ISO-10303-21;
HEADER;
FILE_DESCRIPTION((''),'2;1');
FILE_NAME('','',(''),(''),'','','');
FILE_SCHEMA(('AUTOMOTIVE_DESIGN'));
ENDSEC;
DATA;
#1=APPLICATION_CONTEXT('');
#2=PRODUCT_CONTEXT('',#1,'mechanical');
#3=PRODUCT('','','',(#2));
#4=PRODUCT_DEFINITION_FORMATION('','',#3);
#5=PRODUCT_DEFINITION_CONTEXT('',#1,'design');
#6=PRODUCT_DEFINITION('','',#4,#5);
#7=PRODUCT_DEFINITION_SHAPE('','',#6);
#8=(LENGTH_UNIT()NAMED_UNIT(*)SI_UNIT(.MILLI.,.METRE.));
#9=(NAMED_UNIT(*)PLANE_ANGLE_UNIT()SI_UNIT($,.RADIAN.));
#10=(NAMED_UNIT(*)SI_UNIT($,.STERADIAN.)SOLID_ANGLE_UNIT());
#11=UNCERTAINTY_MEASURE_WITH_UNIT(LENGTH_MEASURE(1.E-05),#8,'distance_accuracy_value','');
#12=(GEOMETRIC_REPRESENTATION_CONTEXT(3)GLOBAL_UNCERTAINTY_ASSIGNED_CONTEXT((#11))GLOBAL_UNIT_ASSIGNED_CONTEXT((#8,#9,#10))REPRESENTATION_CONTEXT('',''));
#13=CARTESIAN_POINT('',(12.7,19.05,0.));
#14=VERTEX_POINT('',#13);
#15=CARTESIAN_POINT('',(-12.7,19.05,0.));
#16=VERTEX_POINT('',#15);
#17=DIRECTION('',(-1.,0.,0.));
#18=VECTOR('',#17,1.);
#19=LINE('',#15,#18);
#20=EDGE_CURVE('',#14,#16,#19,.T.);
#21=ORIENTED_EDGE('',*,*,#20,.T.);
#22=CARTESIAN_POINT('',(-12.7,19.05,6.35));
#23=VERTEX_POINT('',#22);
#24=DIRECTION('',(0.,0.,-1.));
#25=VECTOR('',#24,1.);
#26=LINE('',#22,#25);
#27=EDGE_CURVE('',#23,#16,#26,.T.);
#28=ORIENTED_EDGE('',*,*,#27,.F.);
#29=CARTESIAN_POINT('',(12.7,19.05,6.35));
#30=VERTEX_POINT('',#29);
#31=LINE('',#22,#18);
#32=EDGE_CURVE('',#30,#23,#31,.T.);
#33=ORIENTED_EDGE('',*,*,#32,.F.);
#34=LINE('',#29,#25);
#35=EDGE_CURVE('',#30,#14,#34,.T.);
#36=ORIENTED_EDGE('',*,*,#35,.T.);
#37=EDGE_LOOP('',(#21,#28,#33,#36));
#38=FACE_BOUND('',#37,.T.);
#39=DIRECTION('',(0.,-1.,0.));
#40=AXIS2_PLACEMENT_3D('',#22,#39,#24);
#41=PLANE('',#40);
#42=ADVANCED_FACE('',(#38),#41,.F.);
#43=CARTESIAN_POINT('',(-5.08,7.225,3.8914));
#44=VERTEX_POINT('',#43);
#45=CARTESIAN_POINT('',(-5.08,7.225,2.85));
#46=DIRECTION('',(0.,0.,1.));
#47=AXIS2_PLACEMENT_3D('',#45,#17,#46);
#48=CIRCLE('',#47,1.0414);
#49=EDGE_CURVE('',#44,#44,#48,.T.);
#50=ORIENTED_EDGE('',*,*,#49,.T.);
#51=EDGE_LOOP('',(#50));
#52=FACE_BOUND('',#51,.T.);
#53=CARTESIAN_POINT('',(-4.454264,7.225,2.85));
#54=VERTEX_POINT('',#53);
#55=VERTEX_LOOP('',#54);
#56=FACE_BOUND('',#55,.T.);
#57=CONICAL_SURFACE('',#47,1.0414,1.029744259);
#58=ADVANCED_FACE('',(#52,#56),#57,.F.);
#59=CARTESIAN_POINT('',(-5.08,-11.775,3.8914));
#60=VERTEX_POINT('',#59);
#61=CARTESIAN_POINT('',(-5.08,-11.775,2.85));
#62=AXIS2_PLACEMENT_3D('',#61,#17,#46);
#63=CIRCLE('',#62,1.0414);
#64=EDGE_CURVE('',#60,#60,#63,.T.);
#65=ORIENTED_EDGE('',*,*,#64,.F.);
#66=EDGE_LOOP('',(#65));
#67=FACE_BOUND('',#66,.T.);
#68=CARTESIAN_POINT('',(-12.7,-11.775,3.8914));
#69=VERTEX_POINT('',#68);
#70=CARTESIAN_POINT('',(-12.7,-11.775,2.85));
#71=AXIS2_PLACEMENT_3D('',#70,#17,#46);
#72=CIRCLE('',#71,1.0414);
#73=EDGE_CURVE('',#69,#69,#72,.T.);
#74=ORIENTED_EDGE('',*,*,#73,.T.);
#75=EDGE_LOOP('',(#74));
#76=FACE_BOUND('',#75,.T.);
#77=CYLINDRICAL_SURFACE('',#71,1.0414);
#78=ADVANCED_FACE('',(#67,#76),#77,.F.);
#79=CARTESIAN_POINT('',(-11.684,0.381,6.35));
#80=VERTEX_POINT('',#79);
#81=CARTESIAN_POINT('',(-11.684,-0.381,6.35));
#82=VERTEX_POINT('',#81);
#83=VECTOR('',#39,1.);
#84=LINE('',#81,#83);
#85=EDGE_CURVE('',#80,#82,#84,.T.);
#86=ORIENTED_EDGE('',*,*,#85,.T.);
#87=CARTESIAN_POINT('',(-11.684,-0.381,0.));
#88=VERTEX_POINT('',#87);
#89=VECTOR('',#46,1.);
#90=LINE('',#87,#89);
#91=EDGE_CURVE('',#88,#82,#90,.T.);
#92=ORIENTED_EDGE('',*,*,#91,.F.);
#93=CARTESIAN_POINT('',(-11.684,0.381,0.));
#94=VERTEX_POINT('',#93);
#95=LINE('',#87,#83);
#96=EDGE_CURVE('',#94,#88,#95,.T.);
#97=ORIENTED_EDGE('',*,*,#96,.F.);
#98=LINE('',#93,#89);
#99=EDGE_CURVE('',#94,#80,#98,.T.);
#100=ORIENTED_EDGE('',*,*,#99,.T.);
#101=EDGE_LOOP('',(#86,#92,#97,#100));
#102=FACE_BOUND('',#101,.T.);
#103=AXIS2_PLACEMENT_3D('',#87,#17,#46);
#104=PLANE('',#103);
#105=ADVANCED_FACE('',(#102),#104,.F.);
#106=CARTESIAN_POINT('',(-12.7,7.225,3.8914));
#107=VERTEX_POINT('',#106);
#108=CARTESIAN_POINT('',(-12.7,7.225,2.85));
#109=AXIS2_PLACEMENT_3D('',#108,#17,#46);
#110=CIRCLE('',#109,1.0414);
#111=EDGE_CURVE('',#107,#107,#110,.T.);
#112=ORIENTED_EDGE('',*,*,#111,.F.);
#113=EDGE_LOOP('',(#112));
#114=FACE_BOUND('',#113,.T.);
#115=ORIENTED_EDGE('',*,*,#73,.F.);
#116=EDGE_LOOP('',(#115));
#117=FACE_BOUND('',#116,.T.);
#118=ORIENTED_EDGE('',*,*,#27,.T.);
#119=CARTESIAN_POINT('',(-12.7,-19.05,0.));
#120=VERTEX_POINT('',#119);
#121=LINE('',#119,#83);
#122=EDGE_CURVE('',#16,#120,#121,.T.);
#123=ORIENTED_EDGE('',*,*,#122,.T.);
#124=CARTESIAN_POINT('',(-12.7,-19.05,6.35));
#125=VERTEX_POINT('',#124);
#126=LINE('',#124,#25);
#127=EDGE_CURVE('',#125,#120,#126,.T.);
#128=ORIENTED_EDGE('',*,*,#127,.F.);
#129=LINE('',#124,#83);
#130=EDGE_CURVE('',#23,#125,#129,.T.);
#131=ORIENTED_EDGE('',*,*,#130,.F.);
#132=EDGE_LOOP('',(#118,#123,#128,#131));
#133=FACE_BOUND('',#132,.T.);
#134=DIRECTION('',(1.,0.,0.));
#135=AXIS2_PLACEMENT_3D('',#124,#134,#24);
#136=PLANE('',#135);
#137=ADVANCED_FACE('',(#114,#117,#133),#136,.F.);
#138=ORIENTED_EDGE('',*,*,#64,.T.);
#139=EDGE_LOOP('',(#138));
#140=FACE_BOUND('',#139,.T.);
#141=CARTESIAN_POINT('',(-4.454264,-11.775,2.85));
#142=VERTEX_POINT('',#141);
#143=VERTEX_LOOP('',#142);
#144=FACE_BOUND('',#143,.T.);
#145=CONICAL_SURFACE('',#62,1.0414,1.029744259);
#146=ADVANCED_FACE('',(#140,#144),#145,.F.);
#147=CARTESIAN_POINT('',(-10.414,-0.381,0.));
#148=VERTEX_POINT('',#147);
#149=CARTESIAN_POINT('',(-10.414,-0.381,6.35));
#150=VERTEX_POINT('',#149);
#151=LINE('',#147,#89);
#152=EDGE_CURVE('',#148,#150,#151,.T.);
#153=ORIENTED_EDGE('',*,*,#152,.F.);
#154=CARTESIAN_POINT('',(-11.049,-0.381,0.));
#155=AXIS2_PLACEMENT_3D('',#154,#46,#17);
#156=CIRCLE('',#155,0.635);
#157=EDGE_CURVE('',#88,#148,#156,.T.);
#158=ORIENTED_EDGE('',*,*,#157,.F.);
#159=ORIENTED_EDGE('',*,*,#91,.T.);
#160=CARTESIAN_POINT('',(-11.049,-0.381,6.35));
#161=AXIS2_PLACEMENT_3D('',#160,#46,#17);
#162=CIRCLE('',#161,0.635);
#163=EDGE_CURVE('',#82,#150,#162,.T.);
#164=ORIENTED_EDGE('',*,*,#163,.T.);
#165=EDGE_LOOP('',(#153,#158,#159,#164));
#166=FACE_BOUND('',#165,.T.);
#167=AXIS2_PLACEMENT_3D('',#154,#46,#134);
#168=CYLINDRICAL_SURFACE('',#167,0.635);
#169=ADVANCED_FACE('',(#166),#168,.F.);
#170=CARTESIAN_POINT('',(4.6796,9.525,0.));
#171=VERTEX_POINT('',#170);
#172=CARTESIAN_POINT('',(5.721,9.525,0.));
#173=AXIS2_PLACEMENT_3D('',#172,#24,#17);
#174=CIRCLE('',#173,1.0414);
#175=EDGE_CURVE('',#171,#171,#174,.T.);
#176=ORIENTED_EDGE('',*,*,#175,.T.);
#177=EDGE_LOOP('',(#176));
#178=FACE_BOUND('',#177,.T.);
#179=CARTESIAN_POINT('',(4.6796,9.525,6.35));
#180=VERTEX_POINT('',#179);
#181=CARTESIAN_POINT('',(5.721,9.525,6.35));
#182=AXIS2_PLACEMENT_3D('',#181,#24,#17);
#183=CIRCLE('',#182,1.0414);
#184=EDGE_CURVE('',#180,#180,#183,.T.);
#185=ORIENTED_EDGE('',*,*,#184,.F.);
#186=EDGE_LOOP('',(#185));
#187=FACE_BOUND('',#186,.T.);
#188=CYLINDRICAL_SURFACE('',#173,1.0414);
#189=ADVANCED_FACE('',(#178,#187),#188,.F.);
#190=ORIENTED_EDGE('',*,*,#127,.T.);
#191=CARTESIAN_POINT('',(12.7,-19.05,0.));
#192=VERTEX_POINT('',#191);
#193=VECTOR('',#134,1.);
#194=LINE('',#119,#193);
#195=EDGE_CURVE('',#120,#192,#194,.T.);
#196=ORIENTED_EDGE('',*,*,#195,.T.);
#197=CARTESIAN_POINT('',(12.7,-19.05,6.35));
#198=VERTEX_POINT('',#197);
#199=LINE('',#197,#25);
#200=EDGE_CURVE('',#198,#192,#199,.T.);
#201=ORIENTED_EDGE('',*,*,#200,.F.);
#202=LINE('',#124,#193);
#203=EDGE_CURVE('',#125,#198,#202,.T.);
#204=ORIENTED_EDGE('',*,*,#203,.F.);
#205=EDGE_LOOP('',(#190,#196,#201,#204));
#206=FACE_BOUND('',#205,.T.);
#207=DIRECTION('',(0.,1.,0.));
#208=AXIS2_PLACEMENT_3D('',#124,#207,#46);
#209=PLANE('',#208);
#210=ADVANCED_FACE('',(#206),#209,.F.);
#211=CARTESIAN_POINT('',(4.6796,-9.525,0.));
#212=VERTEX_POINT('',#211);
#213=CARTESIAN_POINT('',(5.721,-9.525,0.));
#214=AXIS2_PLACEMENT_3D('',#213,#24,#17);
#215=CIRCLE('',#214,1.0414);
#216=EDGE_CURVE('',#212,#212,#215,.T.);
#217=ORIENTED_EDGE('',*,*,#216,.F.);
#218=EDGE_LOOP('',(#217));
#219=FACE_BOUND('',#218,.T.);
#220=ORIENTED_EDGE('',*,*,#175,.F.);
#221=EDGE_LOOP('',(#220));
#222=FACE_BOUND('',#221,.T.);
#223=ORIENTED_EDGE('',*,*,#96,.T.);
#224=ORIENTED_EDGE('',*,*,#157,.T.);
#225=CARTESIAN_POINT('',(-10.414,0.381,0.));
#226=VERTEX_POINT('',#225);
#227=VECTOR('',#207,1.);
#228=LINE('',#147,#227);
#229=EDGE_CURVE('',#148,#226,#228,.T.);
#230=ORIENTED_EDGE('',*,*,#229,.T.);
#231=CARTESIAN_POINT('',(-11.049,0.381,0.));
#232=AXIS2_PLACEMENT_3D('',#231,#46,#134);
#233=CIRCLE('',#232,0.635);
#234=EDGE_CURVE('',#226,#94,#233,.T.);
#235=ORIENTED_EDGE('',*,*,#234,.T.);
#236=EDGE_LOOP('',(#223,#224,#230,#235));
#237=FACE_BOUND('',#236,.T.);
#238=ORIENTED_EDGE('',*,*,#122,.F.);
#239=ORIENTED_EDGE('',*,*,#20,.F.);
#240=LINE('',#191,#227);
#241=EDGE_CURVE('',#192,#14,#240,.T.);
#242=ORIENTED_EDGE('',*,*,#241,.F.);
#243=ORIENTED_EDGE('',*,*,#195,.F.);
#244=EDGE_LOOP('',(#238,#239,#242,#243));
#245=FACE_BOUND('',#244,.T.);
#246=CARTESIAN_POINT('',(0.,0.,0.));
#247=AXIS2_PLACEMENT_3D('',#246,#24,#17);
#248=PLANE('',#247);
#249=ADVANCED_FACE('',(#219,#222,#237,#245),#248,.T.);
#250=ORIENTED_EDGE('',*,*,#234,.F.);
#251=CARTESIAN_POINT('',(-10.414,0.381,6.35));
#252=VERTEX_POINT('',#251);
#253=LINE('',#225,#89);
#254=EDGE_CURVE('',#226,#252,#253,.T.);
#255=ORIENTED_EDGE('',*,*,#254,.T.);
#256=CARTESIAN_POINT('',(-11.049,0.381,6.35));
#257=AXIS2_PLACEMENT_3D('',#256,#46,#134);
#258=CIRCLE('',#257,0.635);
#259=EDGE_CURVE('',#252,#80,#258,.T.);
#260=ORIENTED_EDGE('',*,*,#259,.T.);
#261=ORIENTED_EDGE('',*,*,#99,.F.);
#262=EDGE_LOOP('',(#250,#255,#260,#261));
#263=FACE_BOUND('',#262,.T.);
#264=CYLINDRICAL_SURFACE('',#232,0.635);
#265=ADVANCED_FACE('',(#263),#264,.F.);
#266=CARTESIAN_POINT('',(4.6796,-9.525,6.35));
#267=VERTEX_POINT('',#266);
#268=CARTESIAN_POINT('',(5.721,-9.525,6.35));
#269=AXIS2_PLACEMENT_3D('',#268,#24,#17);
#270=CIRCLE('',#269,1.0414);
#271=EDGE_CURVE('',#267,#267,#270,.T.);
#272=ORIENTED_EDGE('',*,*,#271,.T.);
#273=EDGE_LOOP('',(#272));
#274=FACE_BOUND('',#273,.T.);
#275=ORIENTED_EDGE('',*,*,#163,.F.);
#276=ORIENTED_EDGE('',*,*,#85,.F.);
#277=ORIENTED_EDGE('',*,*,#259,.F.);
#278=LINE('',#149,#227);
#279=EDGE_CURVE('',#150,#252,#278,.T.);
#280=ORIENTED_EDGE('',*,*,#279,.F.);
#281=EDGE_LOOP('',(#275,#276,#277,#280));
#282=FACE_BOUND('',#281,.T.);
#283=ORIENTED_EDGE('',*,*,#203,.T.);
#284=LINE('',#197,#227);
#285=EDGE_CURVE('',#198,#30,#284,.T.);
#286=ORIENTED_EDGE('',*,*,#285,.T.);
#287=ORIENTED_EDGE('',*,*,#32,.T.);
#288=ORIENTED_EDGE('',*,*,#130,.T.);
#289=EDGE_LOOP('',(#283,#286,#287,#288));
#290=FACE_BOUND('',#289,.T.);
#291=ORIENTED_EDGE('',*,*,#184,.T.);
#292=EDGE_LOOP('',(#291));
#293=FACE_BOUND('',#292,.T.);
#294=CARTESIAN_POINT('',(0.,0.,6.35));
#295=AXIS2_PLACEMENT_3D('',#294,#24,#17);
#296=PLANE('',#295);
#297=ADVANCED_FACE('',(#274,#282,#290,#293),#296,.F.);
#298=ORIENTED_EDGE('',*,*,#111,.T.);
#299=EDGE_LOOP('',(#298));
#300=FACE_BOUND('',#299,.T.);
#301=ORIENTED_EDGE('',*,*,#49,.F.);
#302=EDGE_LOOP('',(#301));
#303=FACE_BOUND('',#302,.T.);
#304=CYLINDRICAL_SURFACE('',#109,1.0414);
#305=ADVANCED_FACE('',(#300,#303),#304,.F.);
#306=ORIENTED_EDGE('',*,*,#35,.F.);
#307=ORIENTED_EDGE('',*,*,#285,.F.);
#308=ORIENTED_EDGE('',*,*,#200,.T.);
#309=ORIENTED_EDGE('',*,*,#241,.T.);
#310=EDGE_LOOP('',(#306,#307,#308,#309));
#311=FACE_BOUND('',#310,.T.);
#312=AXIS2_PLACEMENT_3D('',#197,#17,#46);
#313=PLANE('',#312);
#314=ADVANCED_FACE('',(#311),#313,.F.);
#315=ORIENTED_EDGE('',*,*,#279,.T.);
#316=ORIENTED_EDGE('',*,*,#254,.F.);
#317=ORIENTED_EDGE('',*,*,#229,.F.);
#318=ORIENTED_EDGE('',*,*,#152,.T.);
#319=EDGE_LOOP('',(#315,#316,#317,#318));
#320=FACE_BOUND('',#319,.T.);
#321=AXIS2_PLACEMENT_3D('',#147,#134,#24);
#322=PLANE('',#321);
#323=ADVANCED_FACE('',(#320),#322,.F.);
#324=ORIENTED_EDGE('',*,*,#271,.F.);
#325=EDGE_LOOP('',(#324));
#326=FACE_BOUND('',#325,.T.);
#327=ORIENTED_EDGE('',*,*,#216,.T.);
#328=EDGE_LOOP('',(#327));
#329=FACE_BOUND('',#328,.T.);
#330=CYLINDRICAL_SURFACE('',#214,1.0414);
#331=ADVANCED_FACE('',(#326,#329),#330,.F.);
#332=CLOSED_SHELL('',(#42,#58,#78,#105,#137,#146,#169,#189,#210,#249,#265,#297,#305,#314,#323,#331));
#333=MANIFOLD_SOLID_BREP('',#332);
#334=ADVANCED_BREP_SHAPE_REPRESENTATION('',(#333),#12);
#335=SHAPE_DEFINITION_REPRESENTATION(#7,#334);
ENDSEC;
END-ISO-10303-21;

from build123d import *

# Parameters (mm, degrees)
SKETCH1_W                     = 25.4
SKETCH1_H                     = 38.1
BOSS_EXTRUDE1_DEPTH           = 6.35
TAP_DRILL_FOR_3_56_TAP1_D     = 2.0828
TAP_DRILL_FOR_3_56_TAP1_DEPTH = 7.62
TAP_DRILL_FOR_3_56_TAP1_TIP   = 0.625736249
CUT_EXTRUDE1_DEPTH            = 7.35
TAP_DRILL_FOR_3_56_TAP2_D     = 2.0828
TAP_DRILL_FOR_3_56_TAP2_DEPTH = 7.62
TAP_DRILL_FOR_3_56_TAP2_TIP   = 0.625736249


with BuildPart() as part:
    # Sketch1 → Boss-Extrude1 (new body)
    with BuildSketch(Plane.XY):
        Rectangle(SKETCH1_W, SKETCH1_H)
    extrude(amount=BOSS_EXTRUDE1_DEPTH)

    # Tap Drill for #3-56 Tap1
    with Locations(Plane.ZY.offset(12.7)):
        with Locations((2.850000016, 7.224999934), (2.84999953, -11.775000065)):
            Hole(TAP_DRILL_FOR_3_56_TAP1_D / 2, depth=TAP_DRILL_FOR_3_56_TAP1_DEPTH)
            with Locations((0, 0, -(TAP_DRILL_FOR_3_56_TAP1_DEPTH + TAP_DRILL_FOR_3_56_TAP1_TIP / 2))):  # 118° drill point
                Cone(0, TAP_DRILL_FOR_3_56_TAP1_D / 2, TAP_DRILL_FOR_3_56_TAP1_TIP, mode=Mode.SUBTRACT)

    # Sketch4 → Cut-Extrude1 (cut, through all)
    with BuildSketch(Plane.XY.offset(6.35)):
        with BuildLine():
            Line((-10.414, -0.381), (-10.414, 0.381))
            ThreePointArc((-10.414, 0.381), (-11.049, 1.016), (-11.684, 0.381))
            Line((-11.684, 0.381), (-11.684, -0.381))
            ThreePointArc((-11.684, -0.381), (-11.049, -1.016), (-10.414, -0.381))
        make_face()
    extrude(amount=-CUT_EXTRUDE1_DEPTH, mode=Mode.SUBTRACT)

    # Tap Drill for #3-56 Tap2
    with Locations(Plane(origin=(0, 0, 0), x_dir=(1, 0, 0), z_dir=(0, 0, -1))):
        with Locations((5.721, -9.525), (5.721, 9.525)):
            Hole(TAP_DRILL_FOR_3_56_TAP2_D / 2, depth=TAP_DRILL_FOR_3_56_TAP2_DEPTH)
            with Locations((0, 0, -(TAP_DRILL_FOR_3_56_TAP2_DEPTH + TAP_DRILL_FOR_3_56_TAP2_TIP / 2))):  # 118° drill point
                Cone(0, TAP_DRILL_FOR_3_56_TAP2_D / 2, TAP_DRILL_FOR_3_56_TAP2_TIP, mode=Mode.SUBTRACT)


solid = part.part
